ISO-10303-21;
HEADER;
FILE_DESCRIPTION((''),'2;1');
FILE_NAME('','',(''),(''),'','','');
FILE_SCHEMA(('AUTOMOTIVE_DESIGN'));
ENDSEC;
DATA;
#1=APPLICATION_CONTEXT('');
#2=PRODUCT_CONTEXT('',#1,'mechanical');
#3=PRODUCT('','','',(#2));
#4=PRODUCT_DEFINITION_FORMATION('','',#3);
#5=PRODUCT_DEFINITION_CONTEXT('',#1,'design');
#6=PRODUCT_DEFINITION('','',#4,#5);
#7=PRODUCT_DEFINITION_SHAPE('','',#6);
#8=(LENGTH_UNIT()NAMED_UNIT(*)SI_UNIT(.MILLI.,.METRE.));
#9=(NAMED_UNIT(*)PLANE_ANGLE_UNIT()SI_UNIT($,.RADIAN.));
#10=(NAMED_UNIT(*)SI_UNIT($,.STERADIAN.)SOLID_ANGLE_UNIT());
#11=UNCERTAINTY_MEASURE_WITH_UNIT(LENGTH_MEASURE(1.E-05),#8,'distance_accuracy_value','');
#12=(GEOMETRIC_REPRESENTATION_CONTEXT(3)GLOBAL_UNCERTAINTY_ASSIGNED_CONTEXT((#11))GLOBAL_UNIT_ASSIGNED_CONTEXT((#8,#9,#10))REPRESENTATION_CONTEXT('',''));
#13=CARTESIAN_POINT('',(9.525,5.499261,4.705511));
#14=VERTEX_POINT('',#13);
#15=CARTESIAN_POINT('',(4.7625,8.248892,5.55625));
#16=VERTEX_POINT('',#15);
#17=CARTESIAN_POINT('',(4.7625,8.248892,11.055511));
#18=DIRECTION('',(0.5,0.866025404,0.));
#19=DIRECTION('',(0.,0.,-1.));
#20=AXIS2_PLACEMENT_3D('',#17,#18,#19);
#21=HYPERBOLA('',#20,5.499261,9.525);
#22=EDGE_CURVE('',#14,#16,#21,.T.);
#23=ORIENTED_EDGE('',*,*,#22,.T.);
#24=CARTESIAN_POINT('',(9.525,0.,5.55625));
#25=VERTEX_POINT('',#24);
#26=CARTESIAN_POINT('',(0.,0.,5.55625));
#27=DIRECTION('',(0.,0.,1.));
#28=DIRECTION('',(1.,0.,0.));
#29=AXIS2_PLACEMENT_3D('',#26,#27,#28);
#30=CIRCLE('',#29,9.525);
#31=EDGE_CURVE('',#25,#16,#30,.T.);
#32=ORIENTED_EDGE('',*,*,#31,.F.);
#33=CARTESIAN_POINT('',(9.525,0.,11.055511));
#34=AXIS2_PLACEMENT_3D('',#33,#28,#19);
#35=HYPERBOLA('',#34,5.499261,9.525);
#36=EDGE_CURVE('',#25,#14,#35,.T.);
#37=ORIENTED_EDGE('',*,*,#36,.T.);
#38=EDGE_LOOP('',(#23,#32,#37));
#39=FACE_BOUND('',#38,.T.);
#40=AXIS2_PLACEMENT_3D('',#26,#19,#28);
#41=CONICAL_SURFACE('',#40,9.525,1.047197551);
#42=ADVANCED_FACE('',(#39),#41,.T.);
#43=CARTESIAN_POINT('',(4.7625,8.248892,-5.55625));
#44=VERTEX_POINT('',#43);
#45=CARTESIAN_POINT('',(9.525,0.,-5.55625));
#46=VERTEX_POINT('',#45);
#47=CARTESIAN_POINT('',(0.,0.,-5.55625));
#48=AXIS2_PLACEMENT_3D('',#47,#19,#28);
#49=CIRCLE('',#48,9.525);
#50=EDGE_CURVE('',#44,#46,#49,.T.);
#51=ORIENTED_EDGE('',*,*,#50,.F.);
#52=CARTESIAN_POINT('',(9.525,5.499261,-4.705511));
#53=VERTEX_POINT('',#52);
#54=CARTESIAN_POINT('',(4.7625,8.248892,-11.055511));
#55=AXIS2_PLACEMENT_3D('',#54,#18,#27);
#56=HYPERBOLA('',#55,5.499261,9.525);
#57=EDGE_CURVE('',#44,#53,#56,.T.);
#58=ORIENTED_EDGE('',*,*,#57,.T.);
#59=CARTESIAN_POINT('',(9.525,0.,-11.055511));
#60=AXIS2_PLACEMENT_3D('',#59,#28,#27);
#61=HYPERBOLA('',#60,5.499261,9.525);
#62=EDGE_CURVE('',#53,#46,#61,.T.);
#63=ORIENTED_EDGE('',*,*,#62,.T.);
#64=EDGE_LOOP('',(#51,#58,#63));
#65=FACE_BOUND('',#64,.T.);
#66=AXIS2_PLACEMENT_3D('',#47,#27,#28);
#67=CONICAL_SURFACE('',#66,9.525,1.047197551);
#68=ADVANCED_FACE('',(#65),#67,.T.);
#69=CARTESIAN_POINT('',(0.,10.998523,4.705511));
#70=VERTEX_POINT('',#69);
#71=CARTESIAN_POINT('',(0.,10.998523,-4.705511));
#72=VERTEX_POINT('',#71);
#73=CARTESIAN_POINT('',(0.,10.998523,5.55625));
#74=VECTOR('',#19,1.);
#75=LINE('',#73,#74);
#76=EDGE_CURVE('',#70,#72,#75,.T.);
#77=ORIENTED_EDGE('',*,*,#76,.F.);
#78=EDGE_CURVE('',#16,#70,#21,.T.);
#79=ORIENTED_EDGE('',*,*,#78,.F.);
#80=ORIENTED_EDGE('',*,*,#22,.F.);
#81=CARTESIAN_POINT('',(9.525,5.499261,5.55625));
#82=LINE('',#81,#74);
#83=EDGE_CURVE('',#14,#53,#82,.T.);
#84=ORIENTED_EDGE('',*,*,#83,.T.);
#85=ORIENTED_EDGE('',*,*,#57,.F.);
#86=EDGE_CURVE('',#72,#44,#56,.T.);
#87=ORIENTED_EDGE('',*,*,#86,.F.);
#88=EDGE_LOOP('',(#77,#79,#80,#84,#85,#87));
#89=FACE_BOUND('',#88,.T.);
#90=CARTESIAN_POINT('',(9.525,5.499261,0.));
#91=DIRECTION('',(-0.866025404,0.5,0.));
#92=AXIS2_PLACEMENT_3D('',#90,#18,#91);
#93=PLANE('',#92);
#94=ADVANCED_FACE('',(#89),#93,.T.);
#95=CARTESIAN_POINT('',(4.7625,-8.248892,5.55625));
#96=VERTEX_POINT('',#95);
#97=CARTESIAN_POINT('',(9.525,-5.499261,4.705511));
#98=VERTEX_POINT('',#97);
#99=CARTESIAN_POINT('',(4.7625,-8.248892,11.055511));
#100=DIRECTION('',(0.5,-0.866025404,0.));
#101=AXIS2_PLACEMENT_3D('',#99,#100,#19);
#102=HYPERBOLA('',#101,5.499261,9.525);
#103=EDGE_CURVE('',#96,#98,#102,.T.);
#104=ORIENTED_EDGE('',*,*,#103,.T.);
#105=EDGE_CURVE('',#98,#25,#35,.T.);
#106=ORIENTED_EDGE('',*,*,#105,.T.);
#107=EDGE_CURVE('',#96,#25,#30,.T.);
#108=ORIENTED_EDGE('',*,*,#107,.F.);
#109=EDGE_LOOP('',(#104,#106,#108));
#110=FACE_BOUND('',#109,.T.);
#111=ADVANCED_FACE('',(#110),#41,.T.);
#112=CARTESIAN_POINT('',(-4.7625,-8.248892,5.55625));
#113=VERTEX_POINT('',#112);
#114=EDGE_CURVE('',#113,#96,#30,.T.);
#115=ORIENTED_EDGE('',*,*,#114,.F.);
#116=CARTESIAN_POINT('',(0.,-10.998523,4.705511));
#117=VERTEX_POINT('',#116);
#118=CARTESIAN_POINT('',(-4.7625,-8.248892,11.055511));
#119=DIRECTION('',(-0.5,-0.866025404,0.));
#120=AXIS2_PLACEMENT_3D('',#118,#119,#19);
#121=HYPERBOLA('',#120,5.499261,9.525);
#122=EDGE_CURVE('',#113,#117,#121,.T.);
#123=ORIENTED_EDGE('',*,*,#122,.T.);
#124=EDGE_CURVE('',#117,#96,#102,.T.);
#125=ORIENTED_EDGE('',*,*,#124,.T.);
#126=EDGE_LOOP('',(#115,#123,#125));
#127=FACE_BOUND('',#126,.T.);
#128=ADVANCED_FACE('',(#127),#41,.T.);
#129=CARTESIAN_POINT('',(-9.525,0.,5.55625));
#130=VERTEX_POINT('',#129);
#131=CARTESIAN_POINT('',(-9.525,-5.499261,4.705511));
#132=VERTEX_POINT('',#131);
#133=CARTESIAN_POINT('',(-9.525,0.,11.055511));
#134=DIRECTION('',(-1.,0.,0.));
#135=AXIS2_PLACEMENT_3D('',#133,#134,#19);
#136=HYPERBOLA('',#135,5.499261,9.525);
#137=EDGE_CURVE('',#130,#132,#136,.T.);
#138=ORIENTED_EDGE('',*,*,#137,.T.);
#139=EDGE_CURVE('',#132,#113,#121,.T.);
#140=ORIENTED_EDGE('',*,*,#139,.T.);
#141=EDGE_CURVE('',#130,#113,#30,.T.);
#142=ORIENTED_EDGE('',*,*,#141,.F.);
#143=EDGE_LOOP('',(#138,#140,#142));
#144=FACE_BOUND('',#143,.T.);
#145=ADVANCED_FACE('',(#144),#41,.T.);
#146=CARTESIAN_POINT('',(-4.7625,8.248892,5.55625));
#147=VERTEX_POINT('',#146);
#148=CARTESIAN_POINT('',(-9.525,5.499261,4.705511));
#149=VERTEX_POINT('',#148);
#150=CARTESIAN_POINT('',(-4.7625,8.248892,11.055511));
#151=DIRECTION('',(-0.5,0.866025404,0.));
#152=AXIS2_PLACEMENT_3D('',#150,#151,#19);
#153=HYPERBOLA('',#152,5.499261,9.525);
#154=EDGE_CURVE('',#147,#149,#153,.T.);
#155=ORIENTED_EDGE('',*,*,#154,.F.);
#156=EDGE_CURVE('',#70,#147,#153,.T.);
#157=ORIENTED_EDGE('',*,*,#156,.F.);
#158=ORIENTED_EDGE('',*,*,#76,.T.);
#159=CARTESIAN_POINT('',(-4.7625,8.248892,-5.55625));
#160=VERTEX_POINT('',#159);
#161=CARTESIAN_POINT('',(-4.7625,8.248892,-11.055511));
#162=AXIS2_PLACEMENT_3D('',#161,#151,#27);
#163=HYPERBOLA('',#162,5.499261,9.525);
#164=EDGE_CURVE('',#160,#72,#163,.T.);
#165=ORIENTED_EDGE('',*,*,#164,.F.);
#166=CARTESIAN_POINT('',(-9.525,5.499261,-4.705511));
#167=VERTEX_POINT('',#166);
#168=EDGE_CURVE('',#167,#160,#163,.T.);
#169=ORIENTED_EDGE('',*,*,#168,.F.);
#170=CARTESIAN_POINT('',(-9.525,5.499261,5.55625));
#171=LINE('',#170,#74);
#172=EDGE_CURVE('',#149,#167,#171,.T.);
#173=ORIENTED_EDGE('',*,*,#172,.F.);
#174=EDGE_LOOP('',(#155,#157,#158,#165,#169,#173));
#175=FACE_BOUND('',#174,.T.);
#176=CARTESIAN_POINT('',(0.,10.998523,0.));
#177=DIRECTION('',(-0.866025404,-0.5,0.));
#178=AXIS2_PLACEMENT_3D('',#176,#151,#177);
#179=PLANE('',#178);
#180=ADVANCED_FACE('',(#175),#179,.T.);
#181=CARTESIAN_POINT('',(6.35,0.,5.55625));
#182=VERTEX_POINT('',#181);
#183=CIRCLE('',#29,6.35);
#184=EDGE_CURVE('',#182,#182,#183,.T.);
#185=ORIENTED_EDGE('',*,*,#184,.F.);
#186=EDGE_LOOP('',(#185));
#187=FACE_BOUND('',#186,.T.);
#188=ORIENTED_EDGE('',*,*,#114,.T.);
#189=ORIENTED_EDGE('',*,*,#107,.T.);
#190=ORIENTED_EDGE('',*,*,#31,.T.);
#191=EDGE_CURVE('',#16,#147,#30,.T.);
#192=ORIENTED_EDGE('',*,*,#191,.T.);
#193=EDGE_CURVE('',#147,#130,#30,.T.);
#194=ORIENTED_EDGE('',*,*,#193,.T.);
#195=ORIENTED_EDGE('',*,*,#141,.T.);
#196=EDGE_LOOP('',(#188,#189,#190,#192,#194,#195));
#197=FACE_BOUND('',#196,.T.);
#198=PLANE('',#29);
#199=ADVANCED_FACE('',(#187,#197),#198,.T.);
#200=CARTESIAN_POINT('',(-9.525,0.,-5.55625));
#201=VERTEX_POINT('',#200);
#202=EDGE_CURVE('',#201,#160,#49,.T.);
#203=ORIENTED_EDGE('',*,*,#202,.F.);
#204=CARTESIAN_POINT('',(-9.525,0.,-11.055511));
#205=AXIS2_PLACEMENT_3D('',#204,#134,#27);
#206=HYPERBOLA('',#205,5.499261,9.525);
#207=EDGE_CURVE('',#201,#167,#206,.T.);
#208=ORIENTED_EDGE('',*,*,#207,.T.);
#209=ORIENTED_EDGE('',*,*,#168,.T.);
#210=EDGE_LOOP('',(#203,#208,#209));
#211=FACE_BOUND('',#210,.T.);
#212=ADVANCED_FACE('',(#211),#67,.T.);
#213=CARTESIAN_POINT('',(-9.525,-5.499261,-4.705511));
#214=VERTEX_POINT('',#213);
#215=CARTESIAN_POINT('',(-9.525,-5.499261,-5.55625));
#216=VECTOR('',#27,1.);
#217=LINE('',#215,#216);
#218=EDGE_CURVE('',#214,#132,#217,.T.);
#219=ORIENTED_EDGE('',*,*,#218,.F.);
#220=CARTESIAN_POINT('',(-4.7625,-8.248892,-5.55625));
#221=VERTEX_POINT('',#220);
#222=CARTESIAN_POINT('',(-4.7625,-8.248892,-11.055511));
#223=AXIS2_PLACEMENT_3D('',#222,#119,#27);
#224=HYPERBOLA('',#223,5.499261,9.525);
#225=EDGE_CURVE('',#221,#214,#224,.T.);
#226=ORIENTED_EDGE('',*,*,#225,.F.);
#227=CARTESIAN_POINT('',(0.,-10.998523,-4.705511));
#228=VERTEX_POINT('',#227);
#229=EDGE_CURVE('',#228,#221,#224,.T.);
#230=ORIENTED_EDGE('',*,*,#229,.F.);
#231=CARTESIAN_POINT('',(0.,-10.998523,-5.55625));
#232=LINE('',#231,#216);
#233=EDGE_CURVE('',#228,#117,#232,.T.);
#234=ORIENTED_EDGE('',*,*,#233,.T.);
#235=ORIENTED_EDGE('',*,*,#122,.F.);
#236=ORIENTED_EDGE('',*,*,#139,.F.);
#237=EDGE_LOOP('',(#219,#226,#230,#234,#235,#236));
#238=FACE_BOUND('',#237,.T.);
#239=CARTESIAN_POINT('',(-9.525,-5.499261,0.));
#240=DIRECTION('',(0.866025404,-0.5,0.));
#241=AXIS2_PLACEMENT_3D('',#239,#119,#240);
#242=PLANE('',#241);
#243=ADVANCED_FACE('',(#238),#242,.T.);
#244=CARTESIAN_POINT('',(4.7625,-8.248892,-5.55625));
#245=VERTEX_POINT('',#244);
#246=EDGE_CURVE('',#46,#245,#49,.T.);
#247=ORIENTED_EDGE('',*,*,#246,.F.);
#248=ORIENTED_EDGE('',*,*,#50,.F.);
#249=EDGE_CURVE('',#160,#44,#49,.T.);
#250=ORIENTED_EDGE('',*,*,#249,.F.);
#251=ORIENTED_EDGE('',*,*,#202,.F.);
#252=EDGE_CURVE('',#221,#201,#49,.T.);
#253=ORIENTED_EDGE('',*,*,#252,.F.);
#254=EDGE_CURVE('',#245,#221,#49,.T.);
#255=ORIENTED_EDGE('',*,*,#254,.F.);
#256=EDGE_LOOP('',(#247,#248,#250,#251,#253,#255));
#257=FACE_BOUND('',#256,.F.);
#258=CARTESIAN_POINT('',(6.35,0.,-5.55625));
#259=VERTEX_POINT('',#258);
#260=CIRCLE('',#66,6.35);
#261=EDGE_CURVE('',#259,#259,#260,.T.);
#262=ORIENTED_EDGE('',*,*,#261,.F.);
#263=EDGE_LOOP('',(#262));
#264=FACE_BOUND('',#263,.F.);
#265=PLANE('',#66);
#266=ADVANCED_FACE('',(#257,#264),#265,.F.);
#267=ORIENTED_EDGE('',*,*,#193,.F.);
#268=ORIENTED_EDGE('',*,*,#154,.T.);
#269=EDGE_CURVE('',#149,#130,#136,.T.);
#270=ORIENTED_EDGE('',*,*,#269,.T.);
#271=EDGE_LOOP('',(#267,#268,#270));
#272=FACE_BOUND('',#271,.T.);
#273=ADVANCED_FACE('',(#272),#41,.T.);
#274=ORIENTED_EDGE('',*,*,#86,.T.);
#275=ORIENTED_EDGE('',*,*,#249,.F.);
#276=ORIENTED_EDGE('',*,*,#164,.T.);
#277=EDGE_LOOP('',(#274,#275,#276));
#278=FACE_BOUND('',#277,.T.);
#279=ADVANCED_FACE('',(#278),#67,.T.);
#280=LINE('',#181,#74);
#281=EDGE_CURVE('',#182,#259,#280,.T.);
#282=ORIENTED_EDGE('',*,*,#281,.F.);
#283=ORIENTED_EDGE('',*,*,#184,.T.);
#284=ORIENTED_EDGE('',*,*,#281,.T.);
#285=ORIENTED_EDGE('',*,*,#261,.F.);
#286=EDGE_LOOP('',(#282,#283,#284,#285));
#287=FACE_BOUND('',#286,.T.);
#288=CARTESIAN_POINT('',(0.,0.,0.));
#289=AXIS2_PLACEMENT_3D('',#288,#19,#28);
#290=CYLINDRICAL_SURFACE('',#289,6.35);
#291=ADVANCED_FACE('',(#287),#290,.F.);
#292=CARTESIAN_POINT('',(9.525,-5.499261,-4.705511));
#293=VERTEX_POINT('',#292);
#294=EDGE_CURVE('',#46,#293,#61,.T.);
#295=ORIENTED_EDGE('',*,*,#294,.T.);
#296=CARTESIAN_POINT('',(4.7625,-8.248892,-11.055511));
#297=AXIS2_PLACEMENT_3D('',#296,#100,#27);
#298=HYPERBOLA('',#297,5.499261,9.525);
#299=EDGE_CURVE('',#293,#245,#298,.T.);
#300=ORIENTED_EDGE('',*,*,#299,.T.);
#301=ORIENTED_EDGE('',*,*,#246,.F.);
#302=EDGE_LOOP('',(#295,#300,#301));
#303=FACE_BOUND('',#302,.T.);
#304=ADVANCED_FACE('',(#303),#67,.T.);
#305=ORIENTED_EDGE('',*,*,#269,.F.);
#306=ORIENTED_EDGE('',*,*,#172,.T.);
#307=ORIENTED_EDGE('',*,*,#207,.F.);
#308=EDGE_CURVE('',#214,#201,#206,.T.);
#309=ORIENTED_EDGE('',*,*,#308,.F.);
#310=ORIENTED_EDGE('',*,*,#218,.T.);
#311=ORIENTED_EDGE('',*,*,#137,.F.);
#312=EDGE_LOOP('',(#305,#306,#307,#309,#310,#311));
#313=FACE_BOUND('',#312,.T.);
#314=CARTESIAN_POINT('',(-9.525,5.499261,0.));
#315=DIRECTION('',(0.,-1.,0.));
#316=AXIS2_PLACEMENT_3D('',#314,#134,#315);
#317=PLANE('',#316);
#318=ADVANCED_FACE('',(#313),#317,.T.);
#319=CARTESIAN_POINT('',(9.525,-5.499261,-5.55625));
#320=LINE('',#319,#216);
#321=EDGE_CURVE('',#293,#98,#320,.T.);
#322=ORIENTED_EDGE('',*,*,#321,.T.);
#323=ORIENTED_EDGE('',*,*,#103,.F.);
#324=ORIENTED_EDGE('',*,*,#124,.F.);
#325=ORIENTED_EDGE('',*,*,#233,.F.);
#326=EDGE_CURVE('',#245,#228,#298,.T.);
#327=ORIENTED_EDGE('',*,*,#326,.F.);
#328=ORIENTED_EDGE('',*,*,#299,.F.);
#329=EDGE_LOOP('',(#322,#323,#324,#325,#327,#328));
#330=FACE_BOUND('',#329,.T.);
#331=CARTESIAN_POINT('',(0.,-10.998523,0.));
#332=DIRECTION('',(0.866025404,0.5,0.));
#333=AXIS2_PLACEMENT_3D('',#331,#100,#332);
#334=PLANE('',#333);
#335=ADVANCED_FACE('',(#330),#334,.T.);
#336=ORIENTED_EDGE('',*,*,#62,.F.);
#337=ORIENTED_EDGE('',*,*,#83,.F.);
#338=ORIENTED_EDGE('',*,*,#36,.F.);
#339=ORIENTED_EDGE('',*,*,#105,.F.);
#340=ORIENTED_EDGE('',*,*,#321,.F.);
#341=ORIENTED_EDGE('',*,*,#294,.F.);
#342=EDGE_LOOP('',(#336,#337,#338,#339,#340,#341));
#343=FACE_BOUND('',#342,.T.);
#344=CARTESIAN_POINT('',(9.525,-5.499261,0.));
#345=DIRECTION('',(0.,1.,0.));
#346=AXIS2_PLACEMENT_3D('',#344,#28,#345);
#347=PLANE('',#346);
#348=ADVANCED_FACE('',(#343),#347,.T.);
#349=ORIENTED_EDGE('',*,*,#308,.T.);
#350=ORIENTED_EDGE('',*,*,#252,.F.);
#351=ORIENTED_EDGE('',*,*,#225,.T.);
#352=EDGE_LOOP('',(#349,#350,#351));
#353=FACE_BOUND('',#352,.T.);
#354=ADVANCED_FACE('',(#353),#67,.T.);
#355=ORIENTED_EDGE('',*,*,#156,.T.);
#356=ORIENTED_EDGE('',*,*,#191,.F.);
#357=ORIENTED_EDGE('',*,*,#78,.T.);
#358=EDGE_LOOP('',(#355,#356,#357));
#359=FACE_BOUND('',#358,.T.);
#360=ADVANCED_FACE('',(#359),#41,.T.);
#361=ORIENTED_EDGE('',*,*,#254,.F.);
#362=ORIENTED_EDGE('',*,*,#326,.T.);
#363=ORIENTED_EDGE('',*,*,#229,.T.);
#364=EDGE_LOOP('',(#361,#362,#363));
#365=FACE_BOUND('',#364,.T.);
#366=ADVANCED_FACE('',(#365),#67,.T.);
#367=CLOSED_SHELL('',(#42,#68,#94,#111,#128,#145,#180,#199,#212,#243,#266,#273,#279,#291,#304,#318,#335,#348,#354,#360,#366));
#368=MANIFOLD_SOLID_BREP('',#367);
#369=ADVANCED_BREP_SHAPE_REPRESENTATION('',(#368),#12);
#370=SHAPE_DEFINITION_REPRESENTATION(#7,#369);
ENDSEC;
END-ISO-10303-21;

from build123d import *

# Parameters (mm, degrees)
SKETCH1_R               = 6.35
EXTRUDE1_DEPTH          = 5.55625
SKETCH7_OUTSIDE_W       = 115.268
SKETCH7_OUTSIDE_H       = 118.216
SKETCH7_OUTSIDE_R       = 9.525
EXTRUDE2_DEPTH          = 25.4
EXTRUDE2_DRAFT          = -60
MIRROR1_COPY_1_SKETCH_W = 115.268
MIRROR1_COPY_1_SKETCH_H = 118.216
MIRROR1_COPY_1_SKETCH_R = 9.525
MIRROR1_COPY_1_DEPTH    = 25.4
MIRROR1_COPY_1_DRAFT    = -60


with BuildPart() as part:
    # Sketch1 → Extrude1 (new, symmetric)
    with BuildSketch(Plane.XY):
        Polygon((-9.525, 5.499261314), (-9.525, -5.499261314), (0, -10.998522628), (9.525, -5.499261314), (9.525, 5.499261314), (0, 10.998522628), align=None)
        Circle(SKETCH1_R, mode=Mode.SUBTRACT)
    extrude(amount=EXTRUDE1_DEPTH, both=True)


with BuildPart() as extrude2_tool:
    # Sketch7 outside → Extrude2 (with draft: the straight prism first)
    with BuildSketch(Plane.XY.offset(5.55625)):
        Rectangle(SKETCH7_OUTSIDE_W, SKETCH7_OUTSIDE_H)
        Circle(SKETCH7_OUTSIDE_R, mode=Mode.SUBTRACT)
    extrude(amount=-EXTRUDE2_DEPTH)
    # Extrude2: the draft: its side faces are tilted about the plane it starts from
    extrude2_sides = [extrude2_tool.faces().sort_by_distance(p)[0] for p in [
        (0, -59.108, -7.14375),
        (57.634, 0, -7.14375),
        (0, 59.108, -7.14375),
        (-57.634, 0, -7.14375),
        (-9.525, 0, -7.14375),
    ]]
    draft(extrude2_sides, Plane.XY.offset(5.55625), EXTRUDE2_DRAFT)


with BuildPart() as part_1:
    add(part.part)

    # Extrude2: cut by extrude2_tool
    add(extrude2_tool.part, mode=Mode.SUBTRACT)


with BuildPart() as mirror1_copy_1_tool:
    # Mirror1 copy 1 sketch → Mirror1 copy 1 (with draft: the straight prism first)
    with BuildSketch(Plane(origin=(0, 0, -5.55625), x_dir=(1, 0, 0), z_dir=(0, 0, -1))):
        Rectangle(MIRROR1_COPY_1_SKETCH_W, MIRROR1_COPY_1_SKETCH_H)
        Circle(MIRROR1_COPY_1_SKETCH_R, mode=Mode.SUBTRACT)
    extrude(amount=-MIRROR1_COPY_1_DEPTH)
    # Mirror1 copy 1: the draft: its side faces are tilted about the plane it starts from
    mirror1_copy_1_sides = [mirror1_copy_1_tool.faces().sort_by_distance(p)[0] for p in [
        (0, -59.108, 7.14375),
        (57.634, 0, 7.14375),
        (0, 59.108, 7.14375),
        (-57.634, 0, 7.14375),
        (-9.525, 0, 7.14375),
    ]]
    draft(mirror1_copy_1_sides, Plane(origin=(0, 0, -5.55625), x_dir=(1, 0, 0), z_dir=(0, 0, -1)), MIRROR1_COPY_1_DRAFT)


with BuildPart() as part_2:
    add(part_1.part)

    # Mirror1 copy 1: cut by mirror1_copy_1_tool
    add(mirror1_copy_1_tool.part, mode=Mode.SUBTRACT)


solid = part_2.part
